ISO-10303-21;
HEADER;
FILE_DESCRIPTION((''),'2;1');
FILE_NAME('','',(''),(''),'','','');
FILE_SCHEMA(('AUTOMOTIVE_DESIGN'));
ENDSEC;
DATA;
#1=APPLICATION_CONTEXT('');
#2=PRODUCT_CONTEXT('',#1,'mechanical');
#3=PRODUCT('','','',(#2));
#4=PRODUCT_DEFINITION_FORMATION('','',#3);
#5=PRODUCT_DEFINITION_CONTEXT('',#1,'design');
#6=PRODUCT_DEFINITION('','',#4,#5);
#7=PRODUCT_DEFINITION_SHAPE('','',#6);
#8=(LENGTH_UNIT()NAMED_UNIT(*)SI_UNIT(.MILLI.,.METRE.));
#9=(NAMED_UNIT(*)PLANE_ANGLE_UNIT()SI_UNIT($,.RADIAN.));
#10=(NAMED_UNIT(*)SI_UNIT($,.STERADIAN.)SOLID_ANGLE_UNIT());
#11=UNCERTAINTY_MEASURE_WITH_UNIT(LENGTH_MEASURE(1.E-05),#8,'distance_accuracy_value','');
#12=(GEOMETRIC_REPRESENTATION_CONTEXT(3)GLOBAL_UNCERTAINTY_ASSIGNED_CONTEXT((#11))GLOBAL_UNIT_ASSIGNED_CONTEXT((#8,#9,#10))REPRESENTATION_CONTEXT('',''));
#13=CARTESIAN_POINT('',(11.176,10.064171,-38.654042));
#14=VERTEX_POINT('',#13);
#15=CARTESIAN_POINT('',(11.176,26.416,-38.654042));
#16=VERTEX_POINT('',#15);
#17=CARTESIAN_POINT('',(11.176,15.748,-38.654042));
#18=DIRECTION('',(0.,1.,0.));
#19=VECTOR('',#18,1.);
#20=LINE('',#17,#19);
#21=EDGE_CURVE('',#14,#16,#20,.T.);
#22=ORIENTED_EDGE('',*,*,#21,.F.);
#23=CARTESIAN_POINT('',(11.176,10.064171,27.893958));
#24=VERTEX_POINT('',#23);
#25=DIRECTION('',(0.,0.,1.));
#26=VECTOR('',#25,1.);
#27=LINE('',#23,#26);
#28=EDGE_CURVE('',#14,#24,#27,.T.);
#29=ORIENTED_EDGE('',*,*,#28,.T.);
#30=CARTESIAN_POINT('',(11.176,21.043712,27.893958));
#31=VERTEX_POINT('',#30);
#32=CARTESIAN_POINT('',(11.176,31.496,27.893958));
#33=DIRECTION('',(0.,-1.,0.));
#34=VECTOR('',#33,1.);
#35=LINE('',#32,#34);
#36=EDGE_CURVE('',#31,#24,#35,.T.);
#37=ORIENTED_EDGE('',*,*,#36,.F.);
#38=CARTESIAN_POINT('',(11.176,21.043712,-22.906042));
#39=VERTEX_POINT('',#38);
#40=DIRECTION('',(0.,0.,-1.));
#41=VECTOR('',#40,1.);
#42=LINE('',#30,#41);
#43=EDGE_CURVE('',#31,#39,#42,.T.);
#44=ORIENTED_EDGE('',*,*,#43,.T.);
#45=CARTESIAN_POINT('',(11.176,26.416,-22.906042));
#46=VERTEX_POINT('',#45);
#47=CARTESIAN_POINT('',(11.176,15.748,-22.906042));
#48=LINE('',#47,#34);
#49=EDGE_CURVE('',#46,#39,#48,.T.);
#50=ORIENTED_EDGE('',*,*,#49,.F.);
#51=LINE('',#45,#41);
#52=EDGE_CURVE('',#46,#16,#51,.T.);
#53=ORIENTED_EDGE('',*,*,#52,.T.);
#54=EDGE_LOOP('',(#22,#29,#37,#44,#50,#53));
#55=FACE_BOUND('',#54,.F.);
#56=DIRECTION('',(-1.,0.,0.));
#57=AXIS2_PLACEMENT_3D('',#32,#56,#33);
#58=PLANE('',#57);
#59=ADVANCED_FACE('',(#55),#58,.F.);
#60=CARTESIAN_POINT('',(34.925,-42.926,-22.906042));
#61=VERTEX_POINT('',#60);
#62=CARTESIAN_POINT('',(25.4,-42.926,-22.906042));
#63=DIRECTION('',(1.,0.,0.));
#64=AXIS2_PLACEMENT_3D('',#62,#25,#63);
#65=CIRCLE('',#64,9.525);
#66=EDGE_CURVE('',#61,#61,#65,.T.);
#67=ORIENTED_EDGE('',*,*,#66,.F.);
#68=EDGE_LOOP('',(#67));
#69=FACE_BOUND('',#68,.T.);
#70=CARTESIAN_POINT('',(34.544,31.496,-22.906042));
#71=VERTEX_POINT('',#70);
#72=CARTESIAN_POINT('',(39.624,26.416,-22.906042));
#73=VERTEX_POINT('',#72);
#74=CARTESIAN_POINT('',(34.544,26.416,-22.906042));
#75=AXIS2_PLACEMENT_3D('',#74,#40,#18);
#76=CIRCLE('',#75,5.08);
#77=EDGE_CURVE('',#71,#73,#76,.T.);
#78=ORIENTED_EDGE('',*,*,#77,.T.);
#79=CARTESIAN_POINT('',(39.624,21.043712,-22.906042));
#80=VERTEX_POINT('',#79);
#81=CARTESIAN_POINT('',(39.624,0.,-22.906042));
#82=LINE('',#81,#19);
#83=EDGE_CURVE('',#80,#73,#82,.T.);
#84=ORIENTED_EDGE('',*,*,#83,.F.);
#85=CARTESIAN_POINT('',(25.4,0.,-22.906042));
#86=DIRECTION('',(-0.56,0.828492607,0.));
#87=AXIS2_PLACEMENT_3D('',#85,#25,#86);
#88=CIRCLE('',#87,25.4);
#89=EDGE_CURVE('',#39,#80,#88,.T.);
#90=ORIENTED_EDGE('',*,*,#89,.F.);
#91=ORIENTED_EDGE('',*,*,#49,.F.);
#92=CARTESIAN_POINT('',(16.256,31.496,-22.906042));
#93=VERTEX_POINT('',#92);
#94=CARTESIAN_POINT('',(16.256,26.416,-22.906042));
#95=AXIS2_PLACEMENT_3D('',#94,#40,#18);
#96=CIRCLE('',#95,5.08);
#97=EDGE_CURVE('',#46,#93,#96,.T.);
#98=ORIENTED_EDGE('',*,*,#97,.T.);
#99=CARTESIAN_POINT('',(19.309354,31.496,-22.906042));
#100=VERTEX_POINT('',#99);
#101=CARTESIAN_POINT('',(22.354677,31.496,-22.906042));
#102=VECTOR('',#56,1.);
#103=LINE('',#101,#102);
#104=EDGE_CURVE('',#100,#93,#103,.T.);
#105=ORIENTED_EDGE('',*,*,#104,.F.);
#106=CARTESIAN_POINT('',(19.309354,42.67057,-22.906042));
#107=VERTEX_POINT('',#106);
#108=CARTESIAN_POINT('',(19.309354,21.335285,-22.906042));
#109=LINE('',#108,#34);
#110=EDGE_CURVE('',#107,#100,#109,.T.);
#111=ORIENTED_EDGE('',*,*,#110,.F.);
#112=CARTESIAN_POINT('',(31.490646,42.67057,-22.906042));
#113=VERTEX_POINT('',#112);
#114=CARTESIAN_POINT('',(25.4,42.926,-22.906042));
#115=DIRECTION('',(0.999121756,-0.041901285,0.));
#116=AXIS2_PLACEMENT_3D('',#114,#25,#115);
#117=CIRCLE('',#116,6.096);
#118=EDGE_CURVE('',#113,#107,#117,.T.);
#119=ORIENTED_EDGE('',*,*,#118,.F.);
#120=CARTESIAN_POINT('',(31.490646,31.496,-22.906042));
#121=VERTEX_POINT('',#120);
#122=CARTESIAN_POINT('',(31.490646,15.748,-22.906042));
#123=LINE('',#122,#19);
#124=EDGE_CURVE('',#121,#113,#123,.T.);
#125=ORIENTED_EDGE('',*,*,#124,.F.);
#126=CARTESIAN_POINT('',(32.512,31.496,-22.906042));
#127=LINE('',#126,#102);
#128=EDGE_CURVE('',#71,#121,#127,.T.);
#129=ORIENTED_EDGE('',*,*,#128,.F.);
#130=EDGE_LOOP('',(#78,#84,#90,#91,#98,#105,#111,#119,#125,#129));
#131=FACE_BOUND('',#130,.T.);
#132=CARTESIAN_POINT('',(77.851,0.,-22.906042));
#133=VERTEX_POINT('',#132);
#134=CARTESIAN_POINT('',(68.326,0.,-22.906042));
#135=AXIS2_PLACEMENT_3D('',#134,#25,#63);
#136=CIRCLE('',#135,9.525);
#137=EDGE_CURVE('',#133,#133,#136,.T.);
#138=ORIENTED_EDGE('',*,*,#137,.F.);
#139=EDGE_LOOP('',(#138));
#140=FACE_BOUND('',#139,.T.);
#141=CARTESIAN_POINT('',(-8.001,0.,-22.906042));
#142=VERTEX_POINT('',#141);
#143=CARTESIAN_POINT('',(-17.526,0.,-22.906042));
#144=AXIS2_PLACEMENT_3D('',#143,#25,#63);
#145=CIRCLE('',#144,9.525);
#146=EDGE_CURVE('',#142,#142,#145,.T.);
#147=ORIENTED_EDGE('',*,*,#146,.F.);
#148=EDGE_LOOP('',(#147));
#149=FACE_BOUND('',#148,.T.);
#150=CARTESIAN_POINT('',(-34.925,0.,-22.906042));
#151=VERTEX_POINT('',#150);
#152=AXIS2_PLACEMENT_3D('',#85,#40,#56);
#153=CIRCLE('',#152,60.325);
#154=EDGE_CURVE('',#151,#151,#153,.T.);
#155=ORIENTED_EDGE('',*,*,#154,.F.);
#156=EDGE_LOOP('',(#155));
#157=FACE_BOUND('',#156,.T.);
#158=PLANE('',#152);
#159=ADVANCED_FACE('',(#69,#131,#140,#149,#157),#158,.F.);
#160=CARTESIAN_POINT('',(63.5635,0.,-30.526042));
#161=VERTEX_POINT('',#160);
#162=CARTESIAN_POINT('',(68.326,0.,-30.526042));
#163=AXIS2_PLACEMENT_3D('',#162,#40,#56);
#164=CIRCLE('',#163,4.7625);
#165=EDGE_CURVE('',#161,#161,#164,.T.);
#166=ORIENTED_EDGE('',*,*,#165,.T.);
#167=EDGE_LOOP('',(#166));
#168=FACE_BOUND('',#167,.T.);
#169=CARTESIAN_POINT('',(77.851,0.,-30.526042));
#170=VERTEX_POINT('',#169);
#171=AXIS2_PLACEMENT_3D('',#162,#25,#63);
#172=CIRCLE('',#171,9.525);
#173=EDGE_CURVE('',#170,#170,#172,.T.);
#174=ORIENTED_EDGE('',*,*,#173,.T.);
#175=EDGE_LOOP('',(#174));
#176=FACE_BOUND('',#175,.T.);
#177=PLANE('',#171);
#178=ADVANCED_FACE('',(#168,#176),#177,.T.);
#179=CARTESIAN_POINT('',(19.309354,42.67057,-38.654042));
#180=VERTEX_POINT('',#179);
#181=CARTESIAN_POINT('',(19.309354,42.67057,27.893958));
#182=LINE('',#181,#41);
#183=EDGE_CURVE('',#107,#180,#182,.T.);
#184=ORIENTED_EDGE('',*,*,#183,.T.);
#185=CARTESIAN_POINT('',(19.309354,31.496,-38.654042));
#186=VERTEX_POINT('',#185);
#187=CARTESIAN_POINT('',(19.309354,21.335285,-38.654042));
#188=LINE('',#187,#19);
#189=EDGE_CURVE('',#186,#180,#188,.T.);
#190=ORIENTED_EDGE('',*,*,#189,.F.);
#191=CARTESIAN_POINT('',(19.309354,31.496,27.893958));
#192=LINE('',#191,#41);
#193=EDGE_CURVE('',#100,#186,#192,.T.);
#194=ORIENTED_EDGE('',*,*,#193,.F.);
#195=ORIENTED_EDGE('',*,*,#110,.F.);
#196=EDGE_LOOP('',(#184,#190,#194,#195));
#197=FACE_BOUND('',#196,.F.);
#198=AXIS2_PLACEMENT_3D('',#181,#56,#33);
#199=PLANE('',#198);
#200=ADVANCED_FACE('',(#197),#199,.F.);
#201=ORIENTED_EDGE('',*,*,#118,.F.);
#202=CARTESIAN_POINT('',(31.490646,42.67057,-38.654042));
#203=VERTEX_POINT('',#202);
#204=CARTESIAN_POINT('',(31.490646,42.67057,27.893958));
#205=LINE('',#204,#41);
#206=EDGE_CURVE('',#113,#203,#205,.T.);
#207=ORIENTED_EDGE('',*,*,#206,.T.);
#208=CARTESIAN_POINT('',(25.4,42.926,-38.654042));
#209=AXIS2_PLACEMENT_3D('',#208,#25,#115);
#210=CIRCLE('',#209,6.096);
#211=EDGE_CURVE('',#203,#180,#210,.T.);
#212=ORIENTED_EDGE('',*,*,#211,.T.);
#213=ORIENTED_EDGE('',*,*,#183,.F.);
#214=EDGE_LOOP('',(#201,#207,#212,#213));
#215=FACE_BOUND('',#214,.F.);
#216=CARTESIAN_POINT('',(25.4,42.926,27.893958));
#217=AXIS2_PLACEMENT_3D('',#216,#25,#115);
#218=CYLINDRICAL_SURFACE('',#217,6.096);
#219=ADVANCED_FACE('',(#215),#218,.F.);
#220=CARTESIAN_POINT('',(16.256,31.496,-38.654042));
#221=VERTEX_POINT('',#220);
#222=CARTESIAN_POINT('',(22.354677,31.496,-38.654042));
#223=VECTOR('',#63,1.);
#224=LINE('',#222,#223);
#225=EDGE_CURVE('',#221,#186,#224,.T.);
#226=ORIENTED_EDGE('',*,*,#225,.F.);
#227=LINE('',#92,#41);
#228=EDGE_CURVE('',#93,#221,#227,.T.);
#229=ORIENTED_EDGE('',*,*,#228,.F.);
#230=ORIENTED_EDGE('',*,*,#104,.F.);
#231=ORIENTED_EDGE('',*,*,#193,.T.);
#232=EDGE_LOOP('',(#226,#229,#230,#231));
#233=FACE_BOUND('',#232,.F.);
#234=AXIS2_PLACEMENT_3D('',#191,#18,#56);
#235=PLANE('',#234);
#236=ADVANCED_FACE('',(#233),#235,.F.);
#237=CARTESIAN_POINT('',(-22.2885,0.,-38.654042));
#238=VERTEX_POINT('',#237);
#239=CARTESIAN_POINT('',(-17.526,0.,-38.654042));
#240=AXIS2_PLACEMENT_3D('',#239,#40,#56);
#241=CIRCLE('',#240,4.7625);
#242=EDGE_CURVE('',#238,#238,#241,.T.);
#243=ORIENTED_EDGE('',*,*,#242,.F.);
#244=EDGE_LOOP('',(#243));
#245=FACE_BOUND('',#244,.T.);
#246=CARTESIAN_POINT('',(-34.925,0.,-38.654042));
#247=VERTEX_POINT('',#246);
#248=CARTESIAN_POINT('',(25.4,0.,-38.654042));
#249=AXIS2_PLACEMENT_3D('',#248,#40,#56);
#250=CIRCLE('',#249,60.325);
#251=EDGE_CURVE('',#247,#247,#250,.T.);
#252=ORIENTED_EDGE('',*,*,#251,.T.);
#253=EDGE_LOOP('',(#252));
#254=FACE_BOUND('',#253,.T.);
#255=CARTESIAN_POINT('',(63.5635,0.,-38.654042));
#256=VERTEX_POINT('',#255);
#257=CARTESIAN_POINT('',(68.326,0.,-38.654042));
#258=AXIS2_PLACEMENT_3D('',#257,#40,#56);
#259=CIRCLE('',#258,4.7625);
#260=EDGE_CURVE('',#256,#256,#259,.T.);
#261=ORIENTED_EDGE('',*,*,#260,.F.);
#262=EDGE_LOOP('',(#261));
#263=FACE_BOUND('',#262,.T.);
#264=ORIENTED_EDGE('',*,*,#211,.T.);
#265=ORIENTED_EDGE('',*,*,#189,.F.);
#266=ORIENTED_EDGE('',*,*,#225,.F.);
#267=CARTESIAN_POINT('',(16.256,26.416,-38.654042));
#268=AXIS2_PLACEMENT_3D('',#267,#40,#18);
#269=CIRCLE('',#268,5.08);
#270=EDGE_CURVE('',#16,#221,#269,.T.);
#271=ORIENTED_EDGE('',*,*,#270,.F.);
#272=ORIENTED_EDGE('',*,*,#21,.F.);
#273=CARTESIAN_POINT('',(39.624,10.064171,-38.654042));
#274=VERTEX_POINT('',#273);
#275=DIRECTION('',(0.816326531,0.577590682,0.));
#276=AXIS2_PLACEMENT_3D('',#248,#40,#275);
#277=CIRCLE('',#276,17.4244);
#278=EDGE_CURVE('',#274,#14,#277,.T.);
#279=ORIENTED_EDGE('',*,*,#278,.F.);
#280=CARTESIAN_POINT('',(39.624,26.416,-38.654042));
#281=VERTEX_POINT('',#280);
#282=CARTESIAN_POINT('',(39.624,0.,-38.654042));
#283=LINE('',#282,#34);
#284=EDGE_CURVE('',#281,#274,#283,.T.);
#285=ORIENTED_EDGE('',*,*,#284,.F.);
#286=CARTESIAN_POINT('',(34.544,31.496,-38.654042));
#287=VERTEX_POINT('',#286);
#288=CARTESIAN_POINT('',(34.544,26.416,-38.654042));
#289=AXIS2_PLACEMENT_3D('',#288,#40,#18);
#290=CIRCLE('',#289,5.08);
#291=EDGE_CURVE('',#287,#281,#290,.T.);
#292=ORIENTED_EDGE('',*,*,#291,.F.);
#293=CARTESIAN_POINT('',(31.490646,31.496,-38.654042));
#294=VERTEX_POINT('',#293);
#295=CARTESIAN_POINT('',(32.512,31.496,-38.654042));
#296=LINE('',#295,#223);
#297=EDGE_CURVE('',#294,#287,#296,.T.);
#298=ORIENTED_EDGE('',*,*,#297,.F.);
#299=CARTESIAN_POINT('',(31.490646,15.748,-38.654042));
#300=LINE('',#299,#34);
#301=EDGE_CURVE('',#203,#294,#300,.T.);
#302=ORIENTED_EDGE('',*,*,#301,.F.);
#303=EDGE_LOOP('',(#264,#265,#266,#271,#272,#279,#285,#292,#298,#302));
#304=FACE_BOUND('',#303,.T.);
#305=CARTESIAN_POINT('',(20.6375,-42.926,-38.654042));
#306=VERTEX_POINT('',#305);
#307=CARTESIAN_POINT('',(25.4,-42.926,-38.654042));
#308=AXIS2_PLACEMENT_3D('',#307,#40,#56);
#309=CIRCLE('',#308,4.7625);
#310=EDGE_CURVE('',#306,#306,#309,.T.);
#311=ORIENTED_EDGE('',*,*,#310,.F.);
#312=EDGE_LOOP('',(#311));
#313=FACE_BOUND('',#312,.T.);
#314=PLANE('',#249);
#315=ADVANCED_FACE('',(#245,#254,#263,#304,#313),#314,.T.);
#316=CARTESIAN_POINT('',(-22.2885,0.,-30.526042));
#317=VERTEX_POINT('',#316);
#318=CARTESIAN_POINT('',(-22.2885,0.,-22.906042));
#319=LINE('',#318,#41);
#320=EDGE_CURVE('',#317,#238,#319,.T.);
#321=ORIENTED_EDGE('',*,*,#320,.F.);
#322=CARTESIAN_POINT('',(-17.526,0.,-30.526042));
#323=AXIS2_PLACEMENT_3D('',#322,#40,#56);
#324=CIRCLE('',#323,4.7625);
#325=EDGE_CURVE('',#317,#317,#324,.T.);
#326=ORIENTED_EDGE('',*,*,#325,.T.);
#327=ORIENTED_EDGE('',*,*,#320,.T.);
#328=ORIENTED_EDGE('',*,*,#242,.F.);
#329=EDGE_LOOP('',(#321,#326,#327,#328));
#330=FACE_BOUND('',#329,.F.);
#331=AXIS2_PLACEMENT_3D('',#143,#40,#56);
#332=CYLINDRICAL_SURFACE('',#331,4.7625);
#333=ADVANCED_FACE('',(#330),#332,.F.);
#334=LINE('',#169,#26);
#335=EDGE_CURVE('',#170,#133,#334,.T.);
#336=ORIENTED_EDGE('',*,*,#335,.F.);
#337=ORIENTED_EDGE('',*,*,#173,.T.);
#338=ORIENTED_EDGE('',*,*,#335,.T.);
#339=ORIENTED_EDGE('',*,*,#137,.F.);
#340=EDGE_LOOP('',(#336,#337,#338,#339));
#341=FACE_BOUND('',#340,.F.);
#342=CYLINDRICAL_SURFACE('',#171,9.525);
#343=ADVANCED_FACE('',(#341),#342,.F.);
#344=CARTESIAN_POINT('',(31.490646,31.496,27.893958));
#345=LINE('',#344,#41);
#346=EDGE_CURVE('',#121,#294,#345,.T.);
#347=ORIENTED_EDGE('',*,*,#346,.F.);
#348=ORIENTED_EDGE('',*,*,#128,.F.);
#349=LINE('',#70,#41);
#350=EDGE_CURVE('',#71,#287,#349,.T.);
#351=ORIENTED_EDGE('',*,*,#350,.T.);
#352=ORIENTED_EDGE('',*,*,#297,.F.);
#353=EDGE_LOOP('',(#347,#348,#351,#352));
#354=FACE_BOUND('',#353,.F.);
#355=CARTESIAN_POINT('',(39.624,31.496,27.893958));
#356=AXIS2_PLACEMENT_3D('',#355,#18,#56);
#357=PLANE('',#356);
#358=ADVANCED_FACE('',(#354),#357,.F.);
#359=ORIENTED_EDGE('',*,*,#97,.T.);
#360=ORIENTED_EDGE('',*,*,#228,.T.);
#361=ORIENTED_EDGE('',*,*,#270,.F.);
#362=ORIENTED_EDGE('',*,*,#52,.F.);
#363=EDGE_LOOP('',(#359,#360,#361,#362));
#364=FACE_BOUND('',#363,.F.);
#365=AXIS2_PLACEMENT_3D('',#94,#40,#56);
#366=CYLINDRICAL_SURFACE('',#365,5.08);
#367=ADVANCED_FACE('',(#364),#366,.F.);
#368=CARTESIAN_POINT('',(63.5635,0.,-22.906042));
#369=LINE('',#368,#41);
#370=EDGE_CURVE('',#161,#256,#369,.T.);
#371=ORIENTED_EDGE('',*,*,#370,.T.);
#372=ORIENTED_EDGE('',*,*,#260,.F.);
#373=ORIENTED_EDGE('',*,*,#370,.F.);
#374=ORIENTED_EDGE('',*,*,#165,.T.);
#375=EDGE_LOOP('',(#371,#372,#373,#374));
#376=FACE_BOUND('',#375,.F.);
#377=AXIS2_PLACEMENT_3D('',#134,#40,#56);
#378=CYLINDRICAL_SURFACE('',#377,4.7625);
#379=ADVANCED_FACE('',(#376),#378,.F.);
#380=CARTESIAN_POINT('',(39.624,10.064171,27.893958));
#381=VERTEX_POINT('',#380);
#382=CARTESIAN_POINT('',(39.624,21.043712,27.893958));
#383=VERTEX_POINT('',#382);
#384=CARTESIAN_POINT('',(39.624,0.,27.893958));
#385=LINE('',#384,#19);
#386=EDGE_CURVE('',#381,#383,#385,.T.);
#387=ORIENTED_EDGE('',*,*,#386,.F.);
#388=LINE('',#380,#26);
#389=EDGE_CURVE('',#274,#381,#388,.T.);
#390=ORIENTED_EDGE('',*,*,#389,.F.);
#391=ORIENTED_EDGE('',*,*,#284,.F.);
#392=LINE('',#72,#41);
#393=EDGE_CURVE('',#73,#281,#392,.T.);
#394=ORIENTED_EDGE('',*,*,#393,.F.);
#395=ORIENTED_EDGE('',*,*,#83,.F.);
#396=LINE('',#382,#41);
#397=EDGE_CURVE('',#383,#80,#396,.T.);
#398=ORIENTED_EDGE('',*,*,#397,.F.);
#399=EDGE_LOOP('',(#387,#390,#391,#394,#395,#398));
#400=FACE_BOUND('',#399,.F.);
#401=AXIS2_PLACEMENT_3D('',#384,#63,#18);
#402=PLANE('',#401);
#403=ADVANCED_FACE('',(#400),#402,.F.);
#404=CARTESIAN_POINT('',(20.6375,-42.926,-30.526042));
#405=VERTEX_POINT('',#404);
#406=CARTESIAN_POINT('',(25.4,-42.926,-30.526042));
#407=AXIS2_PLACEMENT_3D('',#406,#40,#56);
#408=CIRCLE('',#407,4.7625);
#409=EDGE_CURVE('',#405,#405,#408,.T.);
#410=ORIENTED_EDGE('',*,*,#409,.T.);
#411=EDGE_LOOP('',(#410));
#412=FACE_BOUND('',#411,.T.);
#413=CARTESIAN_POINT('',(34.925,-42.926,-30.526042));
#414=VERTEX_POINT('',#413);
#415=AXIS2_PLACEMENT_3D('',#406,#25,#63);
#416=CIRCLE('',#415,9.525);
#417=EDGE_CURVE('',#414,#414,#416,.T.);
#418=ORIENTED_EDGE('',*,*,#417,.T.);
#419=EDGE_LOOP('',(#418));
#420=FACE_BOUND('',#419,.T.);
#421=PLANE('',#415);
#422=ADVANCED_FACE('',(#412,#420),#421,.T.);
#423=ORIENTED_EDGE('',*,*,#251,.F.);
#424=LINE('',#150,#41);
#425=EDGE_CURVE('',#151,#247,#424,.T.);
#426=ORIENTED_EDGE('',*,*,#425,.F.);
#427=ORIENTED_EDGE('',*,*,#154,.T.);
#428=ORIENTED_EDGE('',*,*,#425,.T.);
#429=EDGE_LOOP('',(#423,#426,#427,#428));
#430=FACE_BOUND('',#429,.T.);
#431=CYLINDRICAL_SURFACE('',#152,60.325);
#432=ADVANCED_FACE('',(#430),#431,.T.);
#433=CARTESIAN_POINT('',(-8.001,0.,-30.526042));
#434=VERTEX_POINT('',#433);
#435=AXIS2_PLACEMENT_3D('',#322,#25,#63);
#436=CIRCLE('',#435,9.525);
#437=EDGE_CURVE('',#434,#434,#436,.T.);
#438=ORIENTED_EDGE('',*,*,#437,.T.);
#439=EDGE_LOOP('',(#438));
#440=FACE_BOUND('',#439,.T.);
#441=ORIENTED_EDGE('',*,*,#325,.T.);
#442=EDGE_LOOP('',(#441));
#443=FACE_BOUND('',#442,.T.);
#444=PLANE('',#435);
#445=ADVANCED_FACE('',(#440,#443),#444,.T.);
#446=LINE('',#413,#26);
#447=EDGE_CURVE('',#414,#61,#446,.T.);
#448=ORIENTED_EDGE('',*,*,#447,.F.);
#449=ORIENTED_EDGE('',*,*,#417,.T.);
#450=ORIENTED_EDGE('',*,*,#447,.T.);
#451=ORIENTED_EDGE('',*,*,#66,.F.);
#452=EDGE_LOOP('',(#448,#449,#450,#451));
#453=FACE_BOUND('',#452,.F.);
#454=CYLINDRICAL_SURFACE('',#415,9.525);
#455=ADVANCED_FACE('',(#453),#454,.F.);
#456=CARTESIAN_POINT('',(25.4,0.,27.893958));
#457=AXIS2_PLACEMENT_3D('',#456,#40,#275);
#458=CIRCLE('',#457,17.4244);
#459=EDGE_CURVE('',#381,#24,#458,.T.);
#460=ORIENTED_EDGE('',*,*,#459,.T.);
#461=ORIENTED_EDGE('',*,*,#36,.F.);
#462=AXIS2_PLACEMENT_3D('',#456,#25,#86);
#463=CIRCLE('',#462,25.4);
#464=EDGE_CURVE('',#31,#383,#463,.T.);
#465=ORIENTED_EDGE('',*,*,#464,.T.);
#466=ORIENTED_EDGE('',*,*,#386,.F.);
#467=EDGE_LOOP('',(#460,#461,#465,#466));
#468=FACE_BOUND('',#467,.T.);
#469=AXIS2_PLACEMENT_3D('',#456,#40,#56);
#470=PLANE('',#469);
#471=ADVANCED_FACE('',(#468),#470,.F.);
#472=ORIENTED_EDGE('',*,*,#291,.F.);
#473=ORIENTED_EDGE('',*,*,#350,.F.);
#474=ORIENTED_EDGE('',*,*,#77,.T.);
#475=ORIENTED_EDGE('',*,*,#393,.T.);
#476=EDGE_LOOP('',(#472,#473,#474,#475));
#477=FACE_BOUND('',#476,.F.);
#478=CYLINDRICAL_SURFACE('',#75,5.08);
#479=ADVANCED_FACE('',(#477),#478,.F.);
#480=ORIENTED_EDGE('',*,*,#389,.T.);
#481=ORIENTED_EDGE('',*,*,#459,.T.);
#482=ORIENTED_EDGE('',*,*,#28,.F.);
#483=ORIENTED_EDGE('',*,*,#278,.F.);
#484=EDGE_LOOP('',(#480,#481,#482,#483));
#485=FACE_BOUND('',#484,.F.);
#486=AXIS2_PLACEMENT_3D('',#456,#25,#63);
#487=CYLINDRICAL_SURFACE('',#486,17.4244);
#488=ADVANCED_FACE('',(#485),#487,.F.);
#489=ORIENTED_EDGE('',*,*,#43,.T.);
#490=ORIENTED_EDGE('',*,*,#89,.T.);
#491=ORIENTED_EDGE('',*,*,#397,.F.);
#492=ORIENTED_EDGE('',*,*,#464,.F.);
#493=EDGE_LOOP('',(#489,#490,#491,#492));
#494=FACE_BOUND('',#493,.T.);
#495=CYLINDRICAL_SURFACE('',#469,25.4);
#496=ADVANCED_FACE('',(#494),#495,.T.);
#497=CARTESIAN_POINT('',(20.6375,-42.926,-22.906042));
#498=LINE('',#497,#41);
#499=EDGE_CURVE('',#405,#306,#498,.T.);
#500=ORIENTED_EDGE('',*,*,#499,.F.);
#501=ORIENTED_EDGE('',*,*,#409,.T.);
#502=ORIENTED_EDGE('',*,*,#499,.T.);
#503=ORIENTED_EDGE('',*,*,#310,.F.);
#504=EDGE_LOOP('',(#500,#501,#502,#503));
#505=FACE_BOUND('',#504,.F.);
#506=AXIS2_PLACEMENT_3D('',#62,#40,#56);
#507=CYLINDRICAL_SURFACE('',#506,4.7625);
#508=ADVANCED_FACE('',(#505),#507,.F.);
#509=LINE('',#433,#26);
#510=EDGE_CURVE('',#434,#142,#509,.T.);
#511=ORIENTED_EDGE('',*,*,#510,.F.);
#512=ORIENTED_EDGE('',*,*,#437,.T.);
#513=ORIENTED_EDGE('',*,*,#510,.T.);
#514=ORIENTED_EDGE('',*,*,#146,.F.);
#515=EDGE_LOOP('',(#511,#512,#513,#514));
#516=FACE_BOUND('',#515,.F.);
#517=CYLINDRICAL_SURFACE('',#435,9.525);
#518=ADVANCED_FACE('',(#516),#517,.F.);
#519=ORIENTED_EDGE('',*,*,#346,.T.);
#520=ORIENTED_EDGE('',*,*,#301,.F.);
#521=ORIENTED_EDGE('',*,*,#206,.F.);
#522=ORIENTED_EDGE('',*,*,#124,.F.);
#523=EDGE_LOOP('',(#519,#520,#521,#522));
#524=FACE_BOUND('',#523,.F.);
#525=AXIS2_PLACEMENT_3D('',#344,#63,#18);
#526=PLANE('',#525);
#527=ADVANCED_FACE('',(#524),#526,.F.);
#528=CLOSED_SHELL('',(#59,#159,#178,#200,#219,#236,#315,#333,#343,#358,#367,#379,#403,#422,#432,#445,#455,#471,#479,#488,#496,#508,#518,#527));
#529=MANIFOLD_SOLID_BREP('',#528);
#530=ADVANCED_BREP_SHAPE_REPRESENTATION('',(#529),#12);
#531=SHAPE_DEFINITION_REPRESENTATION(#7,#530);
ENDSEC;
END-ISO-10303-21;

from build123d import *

# Parameters (mm, degrees)
F2_R           = 17.4244
F3_DEPTH       = 101.6
F5_D           = 9.525
F5_CBORE_D     = 19.05
F5_CBORE_DEPTH = 7.62
F7_DEPTH       = 838.2
F8_R           = 5.08


with BuildPart() as f1:
    # F0 (on Front) → F1 (revolve)
    with BuildSketch(Plane.XZ):
        Polygon((25.4, -38.654042), (25.4, 27.893958), (0, 27.893958), (0, -22.906042), (-34.925, -22.906042), (-34.925, -38.654042), align=None)
    revolve(axis=Axis((25.4, 0, -5.380042), (0, 0, -1)))

    # F2 (on face) → F3 (cut)
    with BuildSketch(Plane.XY.offset(27.893958)):
        with Locations((25.4, 0)):
            Circle(F2_R)
    extrude(amount=-F3_DEPTH, mode=Mode.SUBTRACT)

    # F5 (through all)
    with Locations(Plane.XY.offset(-22.906042)):
        with Locations((-17.526, 0), (25.4, -42.926), (68.326, 0)):
            CounterBoreHole(F5_D / 2, F5_CBORE_D / 2, F5_CBORE_DEPTH)

    # F6 (on face) → F7 (cut)
    with BuildSketch(Plane.XY.offset(27.893958)):
        with BuildLine():
            Line((11.176, 0), (39.624, 0))
            Line((39.624, 0), (39.624, 31.496))
            Line((39.624, 31.496), (31.490646, 31.496))
            Line((31.490646, 31.496), (31.490646, 42.67057))
            ThreePointArc((31.490646, 42.67057), (25.4, 49.022), (19.309354, 42.67057))
            Line((19.309354, 42.67057), (19.309354, 31.496))
            Line((19.309354, 31.496), (11.176, 31.496))
            Line((11.176, 31.496), (11.176, 0))
        make_face()
    extrude(amount=-F7_DEPTH, mode=Mode.SUBTRACT)

    # F8
    f8_edges = [f1.edges().sort_by_distance(p)[0] for p in [
        (11.176, 31.496, -30.780042),
        (39.624, 31.496, -30.780042),
    ]]
    fillet(f8_edges, radius=F8_R)


solid = f1.part
